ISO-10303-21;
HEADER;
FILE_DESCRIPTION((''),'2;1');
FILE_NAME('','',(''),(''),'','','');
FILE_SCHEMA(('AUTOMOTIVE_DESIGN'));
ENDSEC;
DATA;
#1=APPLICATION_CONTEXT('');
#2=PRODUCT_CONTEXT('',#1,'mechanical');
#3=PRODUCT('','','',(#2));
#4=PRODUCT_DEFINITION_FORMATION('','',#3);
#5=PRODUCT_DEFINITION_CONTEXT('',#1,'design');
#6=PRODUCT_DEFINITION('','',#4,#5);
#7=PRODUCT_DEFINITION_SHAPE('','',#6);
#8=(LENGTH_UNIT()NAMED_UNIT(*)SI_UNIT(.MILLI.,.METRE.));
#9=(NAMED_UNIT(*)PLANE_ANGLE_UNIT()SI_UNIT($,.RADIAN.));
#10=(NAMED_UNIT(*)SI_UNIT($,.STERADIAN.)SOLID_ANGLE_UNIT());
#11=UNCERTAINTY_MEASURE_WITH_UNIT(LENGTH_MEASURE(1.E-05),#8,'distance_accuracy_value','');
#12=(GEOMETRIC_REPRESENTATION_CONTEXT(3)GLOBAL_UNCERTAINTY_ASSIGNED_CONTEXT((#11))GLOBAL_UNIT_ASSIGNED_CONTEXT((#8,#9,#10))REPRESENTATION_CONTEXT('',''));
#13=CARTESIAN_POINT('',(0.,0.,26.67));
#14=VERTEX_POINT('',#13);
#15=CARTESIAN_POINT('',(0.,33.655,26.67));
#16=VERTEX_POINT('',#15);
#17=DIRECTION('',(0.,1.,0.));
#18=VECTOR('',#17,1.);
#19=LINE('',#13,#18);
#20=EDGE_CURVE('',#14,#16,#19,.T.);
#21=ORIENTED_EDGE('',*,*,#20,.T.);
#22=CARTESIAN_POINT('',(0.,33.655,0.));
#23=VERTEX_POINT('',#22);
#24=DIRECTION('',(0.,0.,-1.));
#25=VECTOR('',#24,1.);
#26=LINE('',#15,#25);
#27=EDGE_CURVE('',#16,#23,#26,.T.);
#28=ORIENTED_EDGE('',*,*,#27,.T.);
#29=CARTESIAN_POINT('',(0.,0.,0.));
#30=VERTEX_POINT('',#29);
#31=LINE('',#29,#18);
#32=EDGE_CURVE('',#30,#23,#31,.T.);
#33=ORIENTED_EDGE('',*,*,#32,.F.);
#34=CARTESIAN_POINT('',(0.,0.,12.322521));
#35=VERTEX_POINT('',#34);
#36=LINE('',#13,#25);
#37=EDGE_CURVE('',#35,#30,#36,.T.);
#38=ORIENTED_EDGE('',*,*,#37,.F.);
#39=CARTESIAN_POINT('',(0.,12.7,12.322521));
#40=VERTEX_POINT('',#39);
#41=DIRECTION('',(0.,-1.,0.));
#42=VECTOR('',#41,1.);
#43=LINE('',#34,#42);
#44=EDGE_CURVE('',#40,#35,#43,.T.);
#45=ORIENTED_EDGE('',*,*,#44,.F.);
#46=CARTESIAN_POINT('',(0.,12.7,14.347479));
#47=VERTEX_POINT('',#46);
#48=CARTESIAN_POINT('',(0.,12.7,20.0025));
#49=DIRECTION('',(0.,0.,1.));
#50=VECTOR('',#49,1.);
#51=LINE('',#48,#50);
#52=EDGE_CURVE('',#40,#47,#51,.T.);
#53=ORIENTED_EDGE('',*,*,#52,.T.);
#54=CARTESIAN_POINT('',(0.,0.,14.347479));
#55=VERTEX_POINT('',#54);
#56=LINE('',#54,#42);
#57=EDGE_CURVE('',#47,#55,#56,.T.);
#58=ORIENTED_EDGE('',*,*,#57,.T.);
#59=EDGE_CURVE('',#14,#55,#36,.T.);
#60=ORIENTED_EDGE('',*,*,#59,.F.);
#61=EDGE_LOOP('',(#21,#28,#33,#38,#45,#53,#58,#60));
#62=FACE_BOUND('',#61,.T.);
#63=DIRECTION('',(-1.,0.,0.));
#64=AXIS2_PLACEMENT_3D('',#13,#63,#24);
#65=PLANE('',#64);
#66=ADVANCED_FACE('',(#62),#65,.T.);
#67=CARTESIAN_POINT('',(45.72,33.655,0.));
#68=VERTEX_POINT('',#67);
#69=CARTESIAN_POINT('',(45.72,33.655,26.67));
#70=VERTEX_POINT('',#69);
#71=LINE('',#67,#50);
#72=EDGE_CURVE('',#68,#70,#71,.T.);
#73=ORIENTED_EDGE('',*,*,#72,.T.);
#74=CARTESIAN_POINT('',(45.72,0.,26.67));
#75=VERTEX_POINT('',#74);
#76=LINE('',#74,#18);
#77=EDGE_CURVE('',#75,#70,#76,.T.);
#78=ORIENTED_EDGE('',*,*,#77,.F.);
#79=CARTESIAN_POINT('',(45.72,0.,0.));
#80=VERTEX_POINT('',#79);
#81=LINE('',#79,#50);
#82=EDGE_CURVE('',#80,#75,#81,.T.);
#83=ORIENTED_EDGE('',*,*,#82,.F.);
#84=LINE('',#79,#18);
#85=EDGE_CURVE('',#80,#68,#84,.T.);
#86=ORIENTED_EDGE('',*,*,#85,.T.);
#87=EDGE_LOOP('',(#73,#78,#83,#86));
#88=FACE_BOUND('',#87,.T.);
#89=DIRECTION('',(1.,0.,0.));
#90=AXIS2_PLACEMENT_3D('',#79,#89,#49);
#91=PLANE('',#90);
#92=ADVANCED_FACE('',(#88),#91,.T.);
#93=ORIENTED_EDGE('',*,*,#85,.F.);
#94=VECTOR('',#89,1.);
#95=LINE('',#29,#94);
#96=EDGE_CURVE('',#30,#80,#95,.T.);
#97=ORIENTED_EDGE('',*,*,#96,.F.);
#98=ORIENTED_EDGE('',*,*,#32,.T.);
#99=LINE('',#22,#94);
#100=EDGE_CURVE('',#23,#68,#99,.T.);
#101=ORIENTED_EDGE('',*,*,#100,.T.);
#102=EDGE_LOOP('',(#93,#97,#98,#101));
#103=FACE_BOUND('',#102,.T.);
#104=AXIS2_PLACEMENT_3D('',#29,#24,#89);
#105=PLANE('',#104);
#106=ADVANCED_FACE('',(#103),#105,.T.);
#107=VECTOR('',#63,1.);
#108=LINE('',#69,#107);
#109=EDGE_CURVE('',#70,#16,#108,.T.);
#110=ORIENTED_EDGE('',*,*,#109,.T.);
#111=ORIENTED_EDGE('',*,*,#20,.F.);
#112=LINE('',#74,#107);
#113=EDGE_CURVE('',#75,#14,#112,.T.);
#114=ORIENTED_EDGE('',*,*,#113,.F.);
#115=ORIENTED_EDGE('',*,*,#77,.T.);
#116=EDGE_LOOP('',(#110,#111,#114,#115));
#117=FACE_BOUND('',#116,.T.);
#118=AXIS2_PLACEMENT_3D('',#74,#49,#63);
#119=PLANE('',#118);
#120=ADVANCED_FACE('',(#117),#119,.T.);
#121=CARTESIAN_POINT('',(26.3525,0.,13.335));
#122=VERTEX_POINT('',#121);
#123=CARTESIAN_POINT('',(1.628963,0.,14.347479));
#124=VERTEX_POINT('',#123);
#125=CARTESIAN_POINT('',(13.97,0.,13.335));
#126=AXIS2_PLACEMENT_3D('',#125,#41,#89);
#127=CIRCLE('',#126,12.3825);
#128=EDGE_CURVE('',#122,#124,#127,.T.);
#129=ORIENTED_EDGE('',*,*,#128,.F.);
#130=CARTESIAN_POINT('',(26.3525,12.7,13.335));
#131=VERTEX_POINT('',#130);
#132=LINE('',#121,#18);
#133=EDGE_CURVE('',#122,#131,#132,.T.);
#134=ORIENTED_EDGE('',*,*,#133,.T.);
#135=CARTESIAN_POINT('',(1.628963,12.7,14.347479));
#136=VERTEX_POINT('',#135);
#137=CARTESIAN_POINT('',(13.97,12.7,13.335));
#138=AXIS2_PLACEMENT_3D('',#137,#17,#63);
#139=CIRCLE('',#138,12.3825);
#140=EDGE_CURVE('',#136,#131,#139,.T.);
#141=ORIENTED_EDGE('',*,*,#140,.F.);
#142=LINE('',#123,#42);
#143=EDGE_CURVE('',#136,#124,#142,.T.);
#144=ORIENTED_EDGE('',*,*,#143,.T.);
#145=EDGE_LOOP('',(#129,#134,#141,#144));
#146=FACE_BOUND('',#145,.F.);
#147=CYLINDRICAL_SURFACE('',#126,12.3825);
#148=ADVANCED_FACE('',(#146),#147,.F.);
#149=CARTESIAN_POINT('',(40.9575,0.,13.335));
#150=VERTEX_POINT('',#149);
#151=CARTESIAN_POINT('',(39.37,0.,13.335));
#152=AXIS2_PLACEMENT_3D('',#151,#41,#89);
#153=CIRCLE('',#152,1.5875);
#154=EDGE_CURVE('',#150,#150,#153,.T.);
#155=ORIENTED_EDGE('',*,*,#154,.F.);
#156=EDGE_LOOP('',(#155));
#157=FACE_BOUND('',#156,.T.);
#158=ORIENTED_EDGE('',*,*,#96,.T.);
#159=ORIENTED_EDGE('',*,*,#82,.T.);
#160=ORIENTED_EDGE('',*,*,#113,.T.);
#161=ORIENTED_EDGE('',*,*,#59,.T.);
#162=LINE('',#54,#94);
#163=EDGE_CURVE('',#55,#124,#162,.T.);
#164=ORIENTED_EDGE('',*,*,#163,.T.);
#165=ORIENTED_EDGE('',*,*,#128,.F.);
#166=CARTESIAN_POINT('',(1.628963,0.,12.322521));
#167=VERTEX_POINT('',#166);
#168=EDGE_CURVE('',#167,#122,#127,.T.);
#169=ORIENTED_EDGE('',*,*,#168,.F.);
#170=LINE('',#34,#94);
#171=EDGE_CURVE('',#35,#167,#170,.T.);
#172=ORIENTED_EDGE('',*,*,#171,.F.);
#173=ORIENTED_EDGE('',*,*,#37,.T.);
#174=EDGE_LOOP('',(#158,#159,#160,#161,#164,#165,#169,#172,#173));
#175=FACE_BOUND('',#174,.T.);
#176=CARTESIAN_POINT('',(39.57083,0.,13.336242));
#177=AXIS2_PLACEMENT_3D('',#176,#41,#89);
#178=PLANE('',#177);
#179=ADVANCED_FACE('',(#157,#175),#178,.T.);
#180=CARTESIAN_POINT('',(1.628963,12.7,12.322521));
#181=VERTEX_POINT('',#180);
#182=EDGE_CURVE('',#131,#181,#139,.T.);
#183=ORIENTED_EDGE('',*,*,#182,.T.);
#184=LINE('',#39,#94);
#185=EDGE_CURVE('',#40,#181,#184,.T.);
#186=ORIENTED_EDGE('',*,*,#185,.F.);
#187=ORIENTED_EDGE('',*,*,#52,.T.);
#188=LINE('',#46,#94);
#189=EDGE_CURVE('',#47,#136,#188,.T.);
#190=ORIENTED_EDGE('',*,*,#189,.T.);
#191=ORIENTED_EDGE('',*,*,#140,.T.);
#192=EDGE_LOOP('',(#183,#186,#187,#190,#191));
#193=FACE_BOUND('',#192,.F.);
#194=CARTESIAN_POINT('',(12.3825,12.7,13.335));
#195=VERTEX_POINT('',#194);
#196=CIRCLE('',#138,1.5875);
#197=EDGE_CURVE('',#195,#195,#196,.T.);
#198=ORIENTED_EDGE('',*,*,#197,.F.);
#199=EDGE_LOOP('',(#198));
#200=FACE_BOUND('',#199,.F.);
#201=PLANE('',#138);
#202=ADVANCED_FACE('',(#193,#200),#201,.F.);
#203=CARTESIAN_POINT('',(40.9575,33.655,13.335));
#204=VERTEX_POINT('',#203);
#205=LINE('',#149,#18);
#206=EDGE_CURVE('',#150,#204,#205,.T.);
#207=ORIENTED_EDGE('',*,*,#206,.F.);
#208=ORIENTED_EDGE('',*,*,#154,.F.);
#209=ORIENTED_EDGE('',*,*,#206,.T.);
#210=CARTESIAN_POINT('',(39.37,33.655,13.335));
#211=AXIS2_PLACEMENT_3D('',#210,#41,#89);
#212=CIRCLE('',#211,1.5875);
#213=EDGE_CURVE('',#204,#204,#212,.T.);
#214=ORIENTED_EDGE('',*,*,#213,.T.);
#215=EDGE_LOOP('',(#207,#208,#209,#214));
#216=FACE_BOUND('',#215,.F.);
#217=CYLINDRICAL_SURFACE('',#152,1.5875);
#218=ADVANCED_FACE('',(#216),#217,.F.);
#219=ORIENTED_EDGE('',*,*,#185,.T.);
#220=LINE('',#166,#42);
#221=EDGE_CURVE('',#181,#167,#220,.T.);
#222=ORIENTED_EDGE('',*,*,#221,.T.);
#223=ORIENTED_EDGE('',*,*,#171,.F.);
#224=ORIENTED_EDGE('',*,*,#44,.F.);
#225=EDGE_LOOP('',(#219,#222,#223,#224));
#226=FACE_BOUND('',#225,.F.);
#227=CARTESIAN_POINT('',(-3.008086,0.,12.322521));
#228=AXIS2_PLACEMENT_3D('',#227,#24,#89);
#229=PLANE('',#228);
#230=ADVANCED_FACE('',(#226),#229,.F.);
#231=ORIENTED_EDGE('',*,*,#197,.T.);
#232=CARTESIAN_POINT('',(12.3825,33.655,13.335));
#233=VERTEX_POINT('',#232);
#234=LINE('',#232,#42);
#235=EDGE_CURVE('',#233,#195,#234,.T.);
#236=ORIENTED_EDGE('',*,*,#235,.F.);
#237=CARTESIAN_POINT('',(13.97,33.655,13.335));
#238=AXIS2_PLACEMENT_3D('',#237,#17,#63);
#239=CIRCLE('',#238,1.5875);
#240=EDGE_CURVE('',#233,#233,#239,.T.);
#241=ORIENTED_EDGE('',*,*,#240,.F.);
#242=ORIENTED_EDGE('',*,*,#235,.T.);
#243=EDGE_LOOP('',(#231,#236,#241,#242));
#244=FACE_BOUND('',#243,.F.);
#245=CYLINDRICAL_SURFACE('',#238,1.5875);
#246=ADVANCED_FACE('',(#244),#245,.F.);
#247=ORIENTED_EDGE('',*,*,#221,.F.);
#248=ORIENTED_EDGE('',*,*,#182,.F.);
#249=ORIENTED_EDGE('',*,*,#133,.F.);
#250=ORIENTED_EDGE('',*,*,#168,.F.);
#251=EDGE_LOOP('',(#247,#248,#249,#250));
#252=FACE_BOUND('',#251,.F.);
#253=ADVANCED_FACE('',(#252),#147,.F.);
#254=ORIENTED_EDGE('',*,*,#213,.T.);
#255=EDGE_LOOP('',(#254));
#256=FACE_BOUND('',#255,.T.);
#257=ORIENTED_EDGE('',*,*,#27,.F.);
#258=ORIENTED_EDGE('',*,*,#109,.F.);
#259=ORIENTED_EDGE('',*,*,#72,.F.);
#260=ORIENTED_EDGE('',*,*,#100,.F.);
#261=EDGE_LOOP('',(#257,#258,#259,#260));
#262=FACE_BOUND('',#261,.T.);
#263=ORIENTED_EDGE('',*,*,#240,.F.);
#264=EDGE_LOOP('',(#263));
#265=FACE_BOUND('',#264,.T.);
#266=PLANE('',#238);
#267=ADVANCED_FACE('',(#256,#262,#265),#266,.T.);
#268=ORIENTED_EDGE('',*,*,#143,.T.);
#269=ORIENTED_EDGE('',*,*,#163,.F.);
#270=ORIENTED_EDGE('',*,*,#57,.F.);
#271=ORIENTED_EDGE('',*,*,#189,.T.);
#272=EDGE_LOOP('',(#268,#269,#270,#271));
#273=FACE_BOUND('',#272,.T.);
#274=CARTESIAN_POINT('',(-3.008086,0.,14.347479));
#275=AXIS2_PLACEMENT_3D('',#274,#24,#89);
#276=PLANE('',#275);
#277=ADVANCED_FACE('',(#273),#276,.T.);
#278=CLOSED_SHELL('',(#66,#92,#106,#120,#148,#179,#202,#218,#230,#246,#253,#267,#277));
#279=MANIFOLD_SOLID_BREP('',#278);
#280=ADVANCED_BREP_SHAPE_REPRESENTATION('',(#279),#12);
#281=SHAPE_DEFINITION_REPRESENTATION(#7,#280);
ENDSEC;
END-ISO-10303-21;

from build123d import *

# Parameters (mm, degrees)
F0_R     = 1.5875
F0_R_2   = 12.3825
F1_DEPTH = 33.655
F2_W     = 6.016172
F2_H     = 2.024958
F3_DEPTH = 12.7
F4_R     = 12.3825
F4_R_2   = 1.5875
F5_DEPTH = 20.955


with BuildPart() as f1:
    # F0 (on Front) → F1 (new body)
    with BuildSketch(Plane.XZ):
        with BuildLine():
            ThreePointArc((40.760279, 16.387484), (36.015898, 13.31191), (40.802172, 10.301946))
            ThreePointArc((40.802172, 10.301946), (42.203223, 11.539621), (42.724182, 13.335))
            ThreePointArc((42.724182, 13.335), (42.190796, 15.14984), (40.760279, 16.387484))
        make_face()
        with Locations((39.37, 13.335)):
            Circle(F0_R, mode=Mode.SUBTRACT)
        with BuildLine():
            ThreePointArc((23.614713, 2.18623), (22.009207, 0.978353), (20.254373, 0))
            Line((20.254373, 0), (45.72, 0))
            Line((45.72, 0), (45.72, 26.67))
            Line((45.72, 26.67), (20.254373, 26.67))
            ThreePointArc((20.254373, 26.67), (22.360042, 25.45617), (24.237647, 23.912854))
            Line((24.237647, 23.912854), (40.760279, 16.387484))
            ThreePointArc((40.760279, 16.387484), (42.190796, 15.14984), (42.724182, 13.335))
            ThreePointArc((42.724182, 13.335), (42.203223, 11.539621), (40.802172, 10.301946))
            Line((40.802172, 10.301946), (23.614713, 2.18623))
        make_face()
        with BuildLine():
            ThreePointArc((0, 8.628126), (2.962228, 3.529669), (7.685627, 0))
            Line((7.685627, 0), (20.254373, 0))
            ThreePointArc((20.254373, 0), (22.009207, 0.978353), (23.614713, 2.18623))
            ThreePointArc((23.614713, 2.18623), (27.376982, 7.205693), (28.711627, 13.335))
            ThreePointArc((28.711627, 13.335), (27.547139, 19.077549), (24.237647, 23.912854))
            ThreePointArc((24.237647, 23.912854), (22.360042, 25.45617), (20.254373, 26.67))
            Line((20.254373, 26.67), (7.685627, 26.67))
            ThreePointArc((7.685627, 26.67), (2.962228, 23.140331), (0, 18.041874))
            Line((0, 18.041874), (0, 8.628126))
        make_face()
        with Locations((13.97, 13.335)):
            Circle(F0_R_2, mode=Mode.SUBTRACT)
        with BuildLine():
            Line((0, 26.67), (0, 18.041874))
            ThreePointArc((0, 18.041874), (2.962228, 23.140331), (7.685627, 26.67))
            Line((7.685627, 26.67), (0, 26.67))
        make_face()
        with BuildLine():
            Line((0, 8.628126), (0, 0))
            Line((0, 0), (7.685627, 0))
            ThreePointArc((7.685627, 0), (2.962228, 3.529669), (0, 8.628126))
        make_face()
        with BuildLine():
            ThreePointArc((28.711627, 13.335), (27.376982, 7.205693), (23.614713, 2.18623))
            Line((23.614713, 2.18623), (40.802172, 10.301946))
            ThreePointArc((40.802172, 10.301946), (36.015898, 13.31191), (40.760279, 16.387484))
            Line((40.760279, 16.387484), (24.237647, 23.912854))
            ThreePointArc((24.237647, 23.912854), (27.547139, 19.077549), (28.711627, 13.335))
        make_face()
    extrude(amount=-F1_DEPTH)

    # F2 (on face) → F3 (cut)
    with BuildSketch(Plane.XZ):
        with Locations((0, 13.335)):
            Rectangle(F2_W, F2_H)
    extrude(amount=-F3_DEPTH, mode=Mode.SUBTRACT)

    # F4 (on face) → F5 (join)
    with BuildSketch(Plane(origin=(0, 33.655, 0), x_dir=(-1, 0, 0), z_dir=(0, 1, 0))):
        with Locations((-13.97, 13.335)):
            Circle(F4_R)
        with Locations((-13.97, 13.335)):
            Circle(F4_R_2, mode=Mode.SUBTRACT)
    extrude(amount=-F5_DEPTH)


solid = f1.part
